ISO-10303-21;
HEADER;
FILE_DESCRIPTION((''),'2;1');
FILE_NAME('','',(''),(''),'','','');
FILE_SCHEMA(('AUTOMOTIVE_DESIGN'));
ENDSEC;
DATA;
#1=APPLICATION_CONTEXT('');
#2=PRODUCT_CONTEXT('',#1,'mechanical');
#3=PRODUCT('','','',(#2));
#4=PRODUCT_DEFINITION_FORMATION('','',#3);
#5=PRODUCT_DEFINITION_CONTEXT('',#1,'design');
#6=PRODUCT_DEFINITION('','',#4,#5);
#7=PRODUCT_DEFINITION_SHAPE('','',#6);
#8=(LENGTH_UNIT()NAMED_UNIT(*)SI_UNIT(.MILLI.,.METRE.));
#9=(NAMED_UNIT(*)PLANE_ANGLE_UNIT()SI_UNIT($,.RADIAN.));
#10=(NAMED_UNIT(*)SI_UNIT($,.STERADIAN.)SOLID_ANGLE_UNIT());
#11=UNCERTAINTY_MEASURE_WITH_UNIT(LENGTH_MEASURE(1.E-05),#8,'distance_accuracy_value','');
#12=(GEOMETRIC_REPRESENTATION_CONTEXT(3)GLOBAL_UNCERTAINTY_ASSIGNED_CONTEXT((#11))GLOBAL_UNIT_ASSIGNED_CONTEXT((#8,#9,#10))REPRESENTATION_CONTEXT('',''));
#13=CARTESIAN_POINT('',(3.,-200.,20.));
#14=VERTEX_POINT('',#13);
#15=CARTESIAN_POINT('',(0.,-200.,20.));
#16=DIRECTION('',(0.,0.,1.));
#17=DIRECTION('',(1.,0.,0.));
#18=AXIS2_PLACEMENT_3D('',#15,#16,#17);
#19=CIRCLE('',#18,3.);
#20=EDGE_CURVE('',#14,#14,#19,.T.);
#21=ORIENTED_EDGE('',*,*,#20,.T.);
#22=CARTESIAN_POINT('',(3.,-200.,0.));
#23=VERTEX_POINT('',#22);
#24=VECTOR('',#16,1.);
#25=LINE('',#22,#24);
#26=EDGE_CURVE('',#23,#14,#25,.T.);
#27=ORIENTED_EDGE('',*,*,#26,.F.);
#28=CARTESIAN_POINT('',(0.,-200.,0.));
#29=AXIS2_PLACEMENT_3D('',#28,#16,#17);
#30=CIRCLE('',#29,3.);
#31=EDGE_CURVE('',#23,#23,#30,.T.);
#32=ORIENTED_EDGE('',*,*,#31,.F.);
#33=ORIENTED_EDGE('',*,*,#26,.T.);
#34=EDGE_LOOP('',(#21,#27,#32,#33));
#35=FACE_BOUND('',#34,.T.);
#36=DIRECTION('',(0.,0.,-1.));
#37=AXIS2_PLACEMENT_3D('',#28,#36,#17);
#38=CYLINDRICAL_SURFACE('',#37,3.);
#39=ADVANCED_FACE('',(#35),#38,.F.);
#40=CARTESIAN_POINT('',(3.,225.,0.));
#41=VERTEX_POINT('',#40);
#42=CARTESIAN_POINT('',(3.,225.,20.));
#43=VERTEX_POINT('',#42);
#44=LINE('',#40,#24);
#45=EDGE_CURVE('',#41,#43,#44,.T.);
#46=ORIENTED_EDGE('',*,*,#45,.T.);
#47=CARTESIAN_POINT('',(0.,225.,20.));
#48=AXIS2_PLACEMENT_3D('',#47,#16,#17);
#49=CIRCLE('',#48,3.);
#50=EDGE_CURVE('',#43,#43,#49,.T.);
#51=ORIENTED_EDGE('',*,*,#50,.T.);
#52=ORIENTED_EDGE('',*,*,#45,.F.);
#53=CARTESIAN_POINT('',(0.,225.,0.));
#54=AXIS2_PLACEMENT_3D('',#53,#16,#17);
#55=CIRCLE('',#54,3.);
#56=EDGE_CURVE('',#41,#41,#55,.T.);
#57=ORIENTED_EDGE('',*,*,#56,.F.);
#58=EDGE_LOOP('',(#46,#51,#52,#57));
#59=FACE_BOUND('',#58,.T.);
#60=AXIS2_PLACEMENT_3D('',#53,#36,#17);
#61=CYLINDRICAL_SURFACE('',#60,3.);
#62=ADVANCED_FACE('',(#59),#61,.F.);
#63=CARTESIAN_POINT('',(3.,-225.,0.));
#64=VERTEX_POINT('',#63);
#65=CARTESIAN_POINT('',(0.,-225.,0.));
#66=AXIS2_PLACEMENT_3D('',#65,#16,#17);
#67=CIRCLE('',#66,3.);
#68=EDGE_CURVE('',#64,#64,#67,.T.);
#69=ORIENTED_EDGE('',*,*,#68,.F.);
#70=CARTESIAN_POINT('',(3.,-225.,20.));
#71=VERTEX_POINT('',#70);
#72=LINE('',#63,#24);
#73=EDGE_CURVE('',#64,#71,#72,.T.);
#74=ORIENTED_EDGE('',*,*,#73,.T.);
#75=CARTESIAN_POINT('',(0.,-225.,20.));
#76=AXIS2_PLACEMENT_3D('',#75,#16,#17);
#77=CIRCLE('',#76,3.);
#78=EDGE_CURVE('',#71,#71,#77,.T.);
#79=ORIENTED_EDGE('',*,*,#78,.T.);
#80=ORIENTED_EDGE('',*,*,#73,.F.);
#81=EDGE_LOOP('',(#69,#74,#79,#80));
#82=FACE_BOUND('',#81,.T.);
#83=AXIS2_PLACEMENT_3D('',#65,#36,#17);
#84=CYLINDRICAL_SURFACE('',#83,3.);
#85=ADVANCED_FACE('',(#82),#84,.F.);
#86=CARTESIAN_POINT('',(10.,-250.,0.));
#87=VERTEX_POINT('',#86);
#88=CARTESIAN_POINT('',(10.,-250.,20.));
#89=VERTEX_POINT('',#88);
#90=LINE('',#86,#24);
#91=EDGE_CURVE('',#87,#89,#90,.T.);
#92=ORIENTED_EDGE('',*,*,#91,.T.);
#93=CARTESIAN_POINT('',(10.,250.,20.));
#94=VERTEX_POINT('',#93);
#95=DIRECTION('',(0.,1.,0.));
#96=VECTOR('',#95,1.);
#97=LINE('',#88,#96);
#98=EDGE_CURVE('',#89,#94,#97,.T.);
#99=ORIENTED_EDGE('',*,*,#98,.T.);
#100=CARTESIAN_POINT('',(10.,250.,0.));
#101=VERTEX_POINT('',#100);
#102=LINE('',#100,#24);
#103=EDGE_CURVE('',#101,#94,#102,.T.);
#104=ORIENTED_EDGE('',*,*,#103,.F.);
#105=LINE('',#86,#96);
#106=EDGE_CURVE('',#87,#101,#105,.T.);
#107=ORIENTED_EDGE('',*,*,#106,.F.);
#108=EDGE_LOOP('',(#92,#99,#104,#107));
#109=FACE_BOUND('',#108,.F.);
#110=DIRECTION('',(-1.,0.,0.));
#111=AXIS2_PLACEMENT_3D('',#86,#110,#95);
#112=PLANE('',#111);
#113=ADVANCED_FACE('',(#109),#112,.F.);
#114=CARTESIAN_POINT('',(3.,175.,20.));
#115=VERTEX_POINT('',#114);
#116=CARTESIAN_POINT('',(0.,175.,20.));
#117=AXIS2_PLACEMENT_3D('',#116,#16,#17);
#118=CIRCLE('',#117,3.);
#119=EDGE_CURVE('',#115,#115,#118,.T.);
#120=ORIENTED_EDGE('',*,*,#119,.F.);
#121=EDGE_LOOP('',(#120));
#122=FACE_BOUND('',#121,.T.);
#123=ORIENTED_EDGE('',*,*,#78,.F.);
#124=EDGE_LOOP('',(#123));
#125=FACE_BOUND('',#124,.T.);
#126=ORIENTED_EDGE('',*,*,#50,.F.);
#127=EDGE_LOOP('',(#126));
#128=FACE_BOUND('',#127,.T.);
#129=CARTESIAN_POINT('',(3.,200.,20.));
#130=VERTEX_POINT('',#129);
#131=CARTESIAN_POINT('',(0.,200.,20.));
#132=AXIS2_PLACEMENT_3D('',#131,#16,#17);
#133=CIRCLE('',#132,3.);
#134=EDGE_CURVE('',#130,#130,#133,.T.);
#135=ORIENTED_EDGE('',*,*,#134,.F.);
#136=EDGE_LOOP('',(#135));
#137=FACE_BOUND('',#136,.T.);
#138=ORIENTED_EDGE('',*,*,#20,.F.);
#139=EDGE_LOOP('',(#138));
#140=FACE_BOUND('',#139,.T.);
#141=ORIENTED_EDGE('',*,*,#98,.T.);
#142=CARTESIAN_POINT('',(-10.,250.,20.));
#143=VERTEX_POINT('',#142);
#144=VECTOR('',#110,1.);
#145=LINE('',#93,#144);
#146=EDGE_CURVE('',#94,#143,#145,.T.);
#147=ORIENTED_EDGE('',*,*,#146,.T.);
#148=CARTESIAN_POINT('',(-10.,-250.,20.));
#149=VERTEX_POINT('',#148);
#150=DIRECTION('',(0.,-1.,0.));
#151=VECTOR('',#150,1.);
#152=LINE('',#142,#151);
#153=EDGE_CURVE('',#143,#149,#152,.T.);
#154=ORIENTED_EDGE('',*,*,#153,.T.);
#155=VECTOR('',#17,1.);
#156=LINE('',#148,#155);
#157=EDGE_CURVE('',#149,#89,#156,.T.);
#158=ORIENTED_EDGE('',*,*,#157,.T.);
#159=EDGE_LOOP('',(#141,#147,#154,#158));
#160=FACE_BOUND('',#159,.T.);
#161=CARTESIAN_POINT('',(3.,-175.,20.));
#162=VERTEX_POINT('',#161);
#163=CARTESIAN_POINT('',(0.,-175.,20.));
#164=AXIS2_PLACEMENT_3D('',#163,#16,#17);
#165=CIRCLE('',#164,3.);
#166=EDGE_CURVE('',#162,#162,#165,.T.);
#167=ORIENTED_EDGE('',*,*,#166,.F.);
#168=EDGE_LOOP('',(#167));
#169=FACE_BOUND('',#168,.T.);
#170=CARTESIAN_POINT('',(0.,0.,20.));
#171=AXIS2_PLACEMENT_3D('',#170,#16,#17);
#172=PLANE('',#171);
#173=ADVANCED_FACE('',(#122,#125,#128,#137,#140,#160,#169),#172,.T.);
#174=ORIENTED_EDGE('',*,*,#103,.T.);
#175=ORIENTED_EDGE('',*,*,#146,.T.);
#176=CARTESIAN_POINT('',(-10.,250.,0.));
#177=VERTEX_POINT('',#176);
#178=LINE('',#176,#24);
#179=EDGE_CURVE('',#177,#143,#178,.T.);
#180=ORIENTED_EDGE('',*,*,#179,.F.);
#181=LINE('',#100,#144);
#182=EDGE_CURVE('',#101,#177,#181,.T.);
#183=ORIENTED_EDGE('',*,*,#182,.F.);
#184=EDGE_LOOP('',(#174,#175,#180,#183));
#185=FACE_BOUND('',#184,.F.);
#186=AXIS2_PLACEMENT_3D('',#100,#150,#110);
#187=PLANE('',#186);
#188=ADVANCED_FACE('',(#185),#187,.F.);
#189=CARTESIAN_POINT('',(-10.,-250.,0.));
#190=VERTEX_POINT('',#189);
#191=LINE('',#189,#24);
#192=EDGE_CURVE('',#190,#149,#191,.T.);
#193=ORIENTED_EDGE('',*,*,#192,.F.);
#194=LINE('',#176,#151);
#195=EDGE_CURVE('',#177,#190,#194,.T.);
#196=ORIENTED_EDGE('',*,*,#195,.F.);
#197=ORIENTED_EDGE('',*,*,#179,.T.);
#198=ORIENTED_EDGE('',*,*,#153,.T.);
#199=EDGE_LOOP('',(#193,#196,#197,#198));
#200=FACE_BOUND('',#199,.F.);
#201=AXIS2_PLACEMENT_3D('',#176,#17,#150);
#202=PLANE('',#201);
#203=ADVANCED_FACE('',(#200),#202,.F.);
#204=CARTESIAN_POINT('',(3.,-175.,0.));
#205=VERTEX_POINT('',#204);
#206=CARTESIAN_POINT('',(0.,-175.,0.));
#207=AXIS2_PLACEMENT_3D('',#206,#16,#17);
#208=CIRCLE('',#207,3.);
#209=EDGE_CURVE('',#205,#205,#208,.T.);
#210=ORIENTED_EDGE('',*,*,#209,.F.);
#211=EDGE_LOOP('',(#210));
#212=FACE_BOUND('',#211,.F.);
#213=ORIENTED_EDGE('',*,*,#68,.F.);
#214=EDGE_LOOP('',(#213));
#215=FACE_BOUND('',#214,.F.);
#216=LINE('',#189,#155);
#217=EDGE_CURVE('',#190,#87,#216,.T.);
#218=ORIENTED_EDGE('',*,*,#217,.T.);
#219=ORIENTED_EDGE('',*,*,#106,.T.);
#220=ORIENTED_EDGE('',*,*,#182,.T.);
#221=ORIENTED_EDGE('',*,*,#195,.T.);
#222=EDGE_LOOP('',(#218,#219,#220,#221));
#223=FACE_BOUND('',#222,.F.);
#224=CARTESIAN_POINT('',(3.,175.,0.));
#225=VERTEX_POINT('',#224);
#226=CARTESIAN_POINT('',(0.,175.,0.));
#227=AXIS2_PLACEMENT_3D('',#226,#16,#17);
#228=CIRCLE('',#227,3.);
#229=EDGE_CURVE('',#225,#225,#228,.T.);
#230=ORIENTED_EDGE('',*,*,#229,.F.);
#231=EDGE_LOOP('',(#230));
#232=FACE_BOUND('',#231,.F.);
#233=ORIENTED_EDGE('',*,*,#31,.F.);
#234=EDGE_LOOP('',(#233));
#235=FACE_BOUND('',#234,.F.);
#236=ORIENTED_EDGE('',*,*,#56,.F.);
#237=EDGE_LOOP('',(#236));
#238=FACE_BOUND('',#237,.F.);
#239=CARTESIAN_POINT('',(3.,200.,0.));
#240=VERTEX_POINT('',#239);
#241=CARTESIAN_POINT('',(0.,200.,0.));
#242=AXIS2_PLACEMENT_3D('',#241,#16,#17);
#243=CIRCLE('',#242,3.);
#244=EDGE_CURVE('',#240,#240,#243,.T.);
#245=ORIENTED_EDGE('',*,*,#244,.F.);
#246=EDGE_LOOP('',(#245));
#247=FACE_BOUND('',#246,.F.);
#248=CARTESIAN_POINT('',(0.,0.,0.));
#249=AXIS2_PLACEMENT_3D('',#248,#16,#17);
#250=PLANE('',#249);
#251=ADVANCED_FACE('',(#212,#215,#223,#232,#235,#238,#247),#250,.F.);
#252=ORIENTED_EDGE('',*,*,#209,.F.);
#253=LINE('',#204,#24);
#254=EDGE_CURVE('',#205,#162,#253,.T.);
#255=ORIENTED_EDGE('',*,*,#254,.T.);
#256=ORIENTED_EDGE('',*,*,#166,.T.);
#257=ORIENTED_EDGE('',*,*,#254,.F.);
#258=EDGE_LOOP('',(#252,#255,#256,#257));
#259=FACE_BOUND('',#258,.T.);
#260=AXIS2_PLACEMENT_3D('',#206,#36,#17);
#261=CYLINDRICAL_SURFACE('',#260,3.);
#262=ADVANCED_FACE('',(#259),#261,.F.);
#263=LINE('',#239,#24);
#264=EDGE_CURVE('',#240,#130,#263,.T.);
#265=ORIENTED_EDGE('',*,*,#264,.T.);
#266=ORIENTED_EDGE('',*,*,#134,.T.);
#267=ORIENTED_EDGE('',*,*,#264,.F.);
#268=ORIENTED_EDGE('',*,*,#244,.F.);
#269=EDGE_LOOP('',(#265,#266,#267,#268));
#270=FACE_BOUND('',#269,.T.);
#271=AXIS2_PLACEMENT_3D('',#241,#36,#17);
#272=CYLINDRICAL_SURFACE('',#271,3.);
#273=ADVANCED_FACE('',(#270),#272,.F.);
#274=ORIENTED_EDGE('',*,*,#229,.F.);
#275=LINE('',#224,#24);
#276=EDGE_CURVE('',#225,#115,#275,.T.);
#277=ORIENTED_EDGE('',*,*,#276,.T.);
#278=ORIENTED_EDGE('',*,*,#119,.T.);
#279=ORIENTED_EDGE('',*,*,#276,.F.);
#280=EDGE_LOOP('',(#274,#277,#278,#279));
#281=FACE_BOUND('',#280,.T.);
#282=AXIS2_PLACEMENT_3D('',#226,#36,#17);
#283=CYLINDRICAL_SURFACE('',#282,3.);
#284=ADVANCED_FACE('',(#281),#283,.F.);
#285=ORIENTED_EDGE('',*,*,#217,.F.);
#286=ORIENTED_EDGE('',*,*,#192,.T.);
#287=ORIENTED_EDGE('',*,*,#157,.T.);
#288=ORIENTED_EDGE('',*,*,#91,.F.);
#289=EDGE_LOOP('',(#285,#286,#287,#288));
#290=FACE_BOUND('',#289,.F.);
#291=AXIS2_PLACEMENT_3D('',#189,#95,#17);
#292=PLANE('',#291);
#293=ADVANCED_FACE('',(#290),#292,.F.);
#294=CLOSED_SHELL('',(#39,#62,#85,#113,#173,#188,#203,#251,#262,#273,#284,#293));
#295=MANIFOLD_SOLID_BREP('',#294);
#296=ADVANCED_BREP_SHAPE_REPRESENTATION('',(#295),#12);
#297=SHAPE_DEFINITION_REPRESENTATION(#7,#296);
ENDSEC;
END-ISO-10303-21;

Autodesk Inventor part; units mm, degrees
ref_plane "YZ Plane" through (0, 0, 0) normal (1, 0, 0) x (0, 1, 0)
ref_plane "XZ Plane" through (0, 0, 0) normal (0, 1, 0) x (-1, 0, 0)
ref_plane "XY Plane" through (0, 0, 0) normal (0, 0, 1) x (1, 0, 0)
sketch "草圖1" plane through (0, 0, 0) normal (0, 0, 1) x (1, 0, 0)
  line L0 (-10, -250) -> (10, -250)
  line L1 (10, -250) -> (10, 250)
  line L2 (10, 250) -> (-10, 250)
  line L3 (-10, 250) -> (-10, -250)
  line L4 (-10, -250) -> (10, 250) construction
  line L5 (10, -250) -> (-10, 250) construction
  circle A0 centre (0, 225) radius 3
  circle A1 centre (0, 200) radius 3
  circle A2 centre (0, -200) radius 3
  circle A3 centre (0, -225) radius 3
  circle A4 centre (0, -175) radius 3
  circle A5 centre (0, 175) radius 3
  point P0 (0, 0)
  dimension "d0" = 20
  dimension "d1" = 500
  dimension "d6" = 6
  dimension "d7" = 6
  dimension "d10" = 6
  dimension "d11" = 6
  dimension "d15" = 6
  dimension "d17" = 6
extrude "擠出1" add sketch "草圖1" along normal blind 20 contours L3 L2 L1 L0 | A0 | A1 | A2 | A3 | A4 | A5
extrude "擠出2" cut sketch "草圖1" along normal blind 20 contours A0 | A1 | A2 | A3 | A4 | A5
properties part number "DOF11"
